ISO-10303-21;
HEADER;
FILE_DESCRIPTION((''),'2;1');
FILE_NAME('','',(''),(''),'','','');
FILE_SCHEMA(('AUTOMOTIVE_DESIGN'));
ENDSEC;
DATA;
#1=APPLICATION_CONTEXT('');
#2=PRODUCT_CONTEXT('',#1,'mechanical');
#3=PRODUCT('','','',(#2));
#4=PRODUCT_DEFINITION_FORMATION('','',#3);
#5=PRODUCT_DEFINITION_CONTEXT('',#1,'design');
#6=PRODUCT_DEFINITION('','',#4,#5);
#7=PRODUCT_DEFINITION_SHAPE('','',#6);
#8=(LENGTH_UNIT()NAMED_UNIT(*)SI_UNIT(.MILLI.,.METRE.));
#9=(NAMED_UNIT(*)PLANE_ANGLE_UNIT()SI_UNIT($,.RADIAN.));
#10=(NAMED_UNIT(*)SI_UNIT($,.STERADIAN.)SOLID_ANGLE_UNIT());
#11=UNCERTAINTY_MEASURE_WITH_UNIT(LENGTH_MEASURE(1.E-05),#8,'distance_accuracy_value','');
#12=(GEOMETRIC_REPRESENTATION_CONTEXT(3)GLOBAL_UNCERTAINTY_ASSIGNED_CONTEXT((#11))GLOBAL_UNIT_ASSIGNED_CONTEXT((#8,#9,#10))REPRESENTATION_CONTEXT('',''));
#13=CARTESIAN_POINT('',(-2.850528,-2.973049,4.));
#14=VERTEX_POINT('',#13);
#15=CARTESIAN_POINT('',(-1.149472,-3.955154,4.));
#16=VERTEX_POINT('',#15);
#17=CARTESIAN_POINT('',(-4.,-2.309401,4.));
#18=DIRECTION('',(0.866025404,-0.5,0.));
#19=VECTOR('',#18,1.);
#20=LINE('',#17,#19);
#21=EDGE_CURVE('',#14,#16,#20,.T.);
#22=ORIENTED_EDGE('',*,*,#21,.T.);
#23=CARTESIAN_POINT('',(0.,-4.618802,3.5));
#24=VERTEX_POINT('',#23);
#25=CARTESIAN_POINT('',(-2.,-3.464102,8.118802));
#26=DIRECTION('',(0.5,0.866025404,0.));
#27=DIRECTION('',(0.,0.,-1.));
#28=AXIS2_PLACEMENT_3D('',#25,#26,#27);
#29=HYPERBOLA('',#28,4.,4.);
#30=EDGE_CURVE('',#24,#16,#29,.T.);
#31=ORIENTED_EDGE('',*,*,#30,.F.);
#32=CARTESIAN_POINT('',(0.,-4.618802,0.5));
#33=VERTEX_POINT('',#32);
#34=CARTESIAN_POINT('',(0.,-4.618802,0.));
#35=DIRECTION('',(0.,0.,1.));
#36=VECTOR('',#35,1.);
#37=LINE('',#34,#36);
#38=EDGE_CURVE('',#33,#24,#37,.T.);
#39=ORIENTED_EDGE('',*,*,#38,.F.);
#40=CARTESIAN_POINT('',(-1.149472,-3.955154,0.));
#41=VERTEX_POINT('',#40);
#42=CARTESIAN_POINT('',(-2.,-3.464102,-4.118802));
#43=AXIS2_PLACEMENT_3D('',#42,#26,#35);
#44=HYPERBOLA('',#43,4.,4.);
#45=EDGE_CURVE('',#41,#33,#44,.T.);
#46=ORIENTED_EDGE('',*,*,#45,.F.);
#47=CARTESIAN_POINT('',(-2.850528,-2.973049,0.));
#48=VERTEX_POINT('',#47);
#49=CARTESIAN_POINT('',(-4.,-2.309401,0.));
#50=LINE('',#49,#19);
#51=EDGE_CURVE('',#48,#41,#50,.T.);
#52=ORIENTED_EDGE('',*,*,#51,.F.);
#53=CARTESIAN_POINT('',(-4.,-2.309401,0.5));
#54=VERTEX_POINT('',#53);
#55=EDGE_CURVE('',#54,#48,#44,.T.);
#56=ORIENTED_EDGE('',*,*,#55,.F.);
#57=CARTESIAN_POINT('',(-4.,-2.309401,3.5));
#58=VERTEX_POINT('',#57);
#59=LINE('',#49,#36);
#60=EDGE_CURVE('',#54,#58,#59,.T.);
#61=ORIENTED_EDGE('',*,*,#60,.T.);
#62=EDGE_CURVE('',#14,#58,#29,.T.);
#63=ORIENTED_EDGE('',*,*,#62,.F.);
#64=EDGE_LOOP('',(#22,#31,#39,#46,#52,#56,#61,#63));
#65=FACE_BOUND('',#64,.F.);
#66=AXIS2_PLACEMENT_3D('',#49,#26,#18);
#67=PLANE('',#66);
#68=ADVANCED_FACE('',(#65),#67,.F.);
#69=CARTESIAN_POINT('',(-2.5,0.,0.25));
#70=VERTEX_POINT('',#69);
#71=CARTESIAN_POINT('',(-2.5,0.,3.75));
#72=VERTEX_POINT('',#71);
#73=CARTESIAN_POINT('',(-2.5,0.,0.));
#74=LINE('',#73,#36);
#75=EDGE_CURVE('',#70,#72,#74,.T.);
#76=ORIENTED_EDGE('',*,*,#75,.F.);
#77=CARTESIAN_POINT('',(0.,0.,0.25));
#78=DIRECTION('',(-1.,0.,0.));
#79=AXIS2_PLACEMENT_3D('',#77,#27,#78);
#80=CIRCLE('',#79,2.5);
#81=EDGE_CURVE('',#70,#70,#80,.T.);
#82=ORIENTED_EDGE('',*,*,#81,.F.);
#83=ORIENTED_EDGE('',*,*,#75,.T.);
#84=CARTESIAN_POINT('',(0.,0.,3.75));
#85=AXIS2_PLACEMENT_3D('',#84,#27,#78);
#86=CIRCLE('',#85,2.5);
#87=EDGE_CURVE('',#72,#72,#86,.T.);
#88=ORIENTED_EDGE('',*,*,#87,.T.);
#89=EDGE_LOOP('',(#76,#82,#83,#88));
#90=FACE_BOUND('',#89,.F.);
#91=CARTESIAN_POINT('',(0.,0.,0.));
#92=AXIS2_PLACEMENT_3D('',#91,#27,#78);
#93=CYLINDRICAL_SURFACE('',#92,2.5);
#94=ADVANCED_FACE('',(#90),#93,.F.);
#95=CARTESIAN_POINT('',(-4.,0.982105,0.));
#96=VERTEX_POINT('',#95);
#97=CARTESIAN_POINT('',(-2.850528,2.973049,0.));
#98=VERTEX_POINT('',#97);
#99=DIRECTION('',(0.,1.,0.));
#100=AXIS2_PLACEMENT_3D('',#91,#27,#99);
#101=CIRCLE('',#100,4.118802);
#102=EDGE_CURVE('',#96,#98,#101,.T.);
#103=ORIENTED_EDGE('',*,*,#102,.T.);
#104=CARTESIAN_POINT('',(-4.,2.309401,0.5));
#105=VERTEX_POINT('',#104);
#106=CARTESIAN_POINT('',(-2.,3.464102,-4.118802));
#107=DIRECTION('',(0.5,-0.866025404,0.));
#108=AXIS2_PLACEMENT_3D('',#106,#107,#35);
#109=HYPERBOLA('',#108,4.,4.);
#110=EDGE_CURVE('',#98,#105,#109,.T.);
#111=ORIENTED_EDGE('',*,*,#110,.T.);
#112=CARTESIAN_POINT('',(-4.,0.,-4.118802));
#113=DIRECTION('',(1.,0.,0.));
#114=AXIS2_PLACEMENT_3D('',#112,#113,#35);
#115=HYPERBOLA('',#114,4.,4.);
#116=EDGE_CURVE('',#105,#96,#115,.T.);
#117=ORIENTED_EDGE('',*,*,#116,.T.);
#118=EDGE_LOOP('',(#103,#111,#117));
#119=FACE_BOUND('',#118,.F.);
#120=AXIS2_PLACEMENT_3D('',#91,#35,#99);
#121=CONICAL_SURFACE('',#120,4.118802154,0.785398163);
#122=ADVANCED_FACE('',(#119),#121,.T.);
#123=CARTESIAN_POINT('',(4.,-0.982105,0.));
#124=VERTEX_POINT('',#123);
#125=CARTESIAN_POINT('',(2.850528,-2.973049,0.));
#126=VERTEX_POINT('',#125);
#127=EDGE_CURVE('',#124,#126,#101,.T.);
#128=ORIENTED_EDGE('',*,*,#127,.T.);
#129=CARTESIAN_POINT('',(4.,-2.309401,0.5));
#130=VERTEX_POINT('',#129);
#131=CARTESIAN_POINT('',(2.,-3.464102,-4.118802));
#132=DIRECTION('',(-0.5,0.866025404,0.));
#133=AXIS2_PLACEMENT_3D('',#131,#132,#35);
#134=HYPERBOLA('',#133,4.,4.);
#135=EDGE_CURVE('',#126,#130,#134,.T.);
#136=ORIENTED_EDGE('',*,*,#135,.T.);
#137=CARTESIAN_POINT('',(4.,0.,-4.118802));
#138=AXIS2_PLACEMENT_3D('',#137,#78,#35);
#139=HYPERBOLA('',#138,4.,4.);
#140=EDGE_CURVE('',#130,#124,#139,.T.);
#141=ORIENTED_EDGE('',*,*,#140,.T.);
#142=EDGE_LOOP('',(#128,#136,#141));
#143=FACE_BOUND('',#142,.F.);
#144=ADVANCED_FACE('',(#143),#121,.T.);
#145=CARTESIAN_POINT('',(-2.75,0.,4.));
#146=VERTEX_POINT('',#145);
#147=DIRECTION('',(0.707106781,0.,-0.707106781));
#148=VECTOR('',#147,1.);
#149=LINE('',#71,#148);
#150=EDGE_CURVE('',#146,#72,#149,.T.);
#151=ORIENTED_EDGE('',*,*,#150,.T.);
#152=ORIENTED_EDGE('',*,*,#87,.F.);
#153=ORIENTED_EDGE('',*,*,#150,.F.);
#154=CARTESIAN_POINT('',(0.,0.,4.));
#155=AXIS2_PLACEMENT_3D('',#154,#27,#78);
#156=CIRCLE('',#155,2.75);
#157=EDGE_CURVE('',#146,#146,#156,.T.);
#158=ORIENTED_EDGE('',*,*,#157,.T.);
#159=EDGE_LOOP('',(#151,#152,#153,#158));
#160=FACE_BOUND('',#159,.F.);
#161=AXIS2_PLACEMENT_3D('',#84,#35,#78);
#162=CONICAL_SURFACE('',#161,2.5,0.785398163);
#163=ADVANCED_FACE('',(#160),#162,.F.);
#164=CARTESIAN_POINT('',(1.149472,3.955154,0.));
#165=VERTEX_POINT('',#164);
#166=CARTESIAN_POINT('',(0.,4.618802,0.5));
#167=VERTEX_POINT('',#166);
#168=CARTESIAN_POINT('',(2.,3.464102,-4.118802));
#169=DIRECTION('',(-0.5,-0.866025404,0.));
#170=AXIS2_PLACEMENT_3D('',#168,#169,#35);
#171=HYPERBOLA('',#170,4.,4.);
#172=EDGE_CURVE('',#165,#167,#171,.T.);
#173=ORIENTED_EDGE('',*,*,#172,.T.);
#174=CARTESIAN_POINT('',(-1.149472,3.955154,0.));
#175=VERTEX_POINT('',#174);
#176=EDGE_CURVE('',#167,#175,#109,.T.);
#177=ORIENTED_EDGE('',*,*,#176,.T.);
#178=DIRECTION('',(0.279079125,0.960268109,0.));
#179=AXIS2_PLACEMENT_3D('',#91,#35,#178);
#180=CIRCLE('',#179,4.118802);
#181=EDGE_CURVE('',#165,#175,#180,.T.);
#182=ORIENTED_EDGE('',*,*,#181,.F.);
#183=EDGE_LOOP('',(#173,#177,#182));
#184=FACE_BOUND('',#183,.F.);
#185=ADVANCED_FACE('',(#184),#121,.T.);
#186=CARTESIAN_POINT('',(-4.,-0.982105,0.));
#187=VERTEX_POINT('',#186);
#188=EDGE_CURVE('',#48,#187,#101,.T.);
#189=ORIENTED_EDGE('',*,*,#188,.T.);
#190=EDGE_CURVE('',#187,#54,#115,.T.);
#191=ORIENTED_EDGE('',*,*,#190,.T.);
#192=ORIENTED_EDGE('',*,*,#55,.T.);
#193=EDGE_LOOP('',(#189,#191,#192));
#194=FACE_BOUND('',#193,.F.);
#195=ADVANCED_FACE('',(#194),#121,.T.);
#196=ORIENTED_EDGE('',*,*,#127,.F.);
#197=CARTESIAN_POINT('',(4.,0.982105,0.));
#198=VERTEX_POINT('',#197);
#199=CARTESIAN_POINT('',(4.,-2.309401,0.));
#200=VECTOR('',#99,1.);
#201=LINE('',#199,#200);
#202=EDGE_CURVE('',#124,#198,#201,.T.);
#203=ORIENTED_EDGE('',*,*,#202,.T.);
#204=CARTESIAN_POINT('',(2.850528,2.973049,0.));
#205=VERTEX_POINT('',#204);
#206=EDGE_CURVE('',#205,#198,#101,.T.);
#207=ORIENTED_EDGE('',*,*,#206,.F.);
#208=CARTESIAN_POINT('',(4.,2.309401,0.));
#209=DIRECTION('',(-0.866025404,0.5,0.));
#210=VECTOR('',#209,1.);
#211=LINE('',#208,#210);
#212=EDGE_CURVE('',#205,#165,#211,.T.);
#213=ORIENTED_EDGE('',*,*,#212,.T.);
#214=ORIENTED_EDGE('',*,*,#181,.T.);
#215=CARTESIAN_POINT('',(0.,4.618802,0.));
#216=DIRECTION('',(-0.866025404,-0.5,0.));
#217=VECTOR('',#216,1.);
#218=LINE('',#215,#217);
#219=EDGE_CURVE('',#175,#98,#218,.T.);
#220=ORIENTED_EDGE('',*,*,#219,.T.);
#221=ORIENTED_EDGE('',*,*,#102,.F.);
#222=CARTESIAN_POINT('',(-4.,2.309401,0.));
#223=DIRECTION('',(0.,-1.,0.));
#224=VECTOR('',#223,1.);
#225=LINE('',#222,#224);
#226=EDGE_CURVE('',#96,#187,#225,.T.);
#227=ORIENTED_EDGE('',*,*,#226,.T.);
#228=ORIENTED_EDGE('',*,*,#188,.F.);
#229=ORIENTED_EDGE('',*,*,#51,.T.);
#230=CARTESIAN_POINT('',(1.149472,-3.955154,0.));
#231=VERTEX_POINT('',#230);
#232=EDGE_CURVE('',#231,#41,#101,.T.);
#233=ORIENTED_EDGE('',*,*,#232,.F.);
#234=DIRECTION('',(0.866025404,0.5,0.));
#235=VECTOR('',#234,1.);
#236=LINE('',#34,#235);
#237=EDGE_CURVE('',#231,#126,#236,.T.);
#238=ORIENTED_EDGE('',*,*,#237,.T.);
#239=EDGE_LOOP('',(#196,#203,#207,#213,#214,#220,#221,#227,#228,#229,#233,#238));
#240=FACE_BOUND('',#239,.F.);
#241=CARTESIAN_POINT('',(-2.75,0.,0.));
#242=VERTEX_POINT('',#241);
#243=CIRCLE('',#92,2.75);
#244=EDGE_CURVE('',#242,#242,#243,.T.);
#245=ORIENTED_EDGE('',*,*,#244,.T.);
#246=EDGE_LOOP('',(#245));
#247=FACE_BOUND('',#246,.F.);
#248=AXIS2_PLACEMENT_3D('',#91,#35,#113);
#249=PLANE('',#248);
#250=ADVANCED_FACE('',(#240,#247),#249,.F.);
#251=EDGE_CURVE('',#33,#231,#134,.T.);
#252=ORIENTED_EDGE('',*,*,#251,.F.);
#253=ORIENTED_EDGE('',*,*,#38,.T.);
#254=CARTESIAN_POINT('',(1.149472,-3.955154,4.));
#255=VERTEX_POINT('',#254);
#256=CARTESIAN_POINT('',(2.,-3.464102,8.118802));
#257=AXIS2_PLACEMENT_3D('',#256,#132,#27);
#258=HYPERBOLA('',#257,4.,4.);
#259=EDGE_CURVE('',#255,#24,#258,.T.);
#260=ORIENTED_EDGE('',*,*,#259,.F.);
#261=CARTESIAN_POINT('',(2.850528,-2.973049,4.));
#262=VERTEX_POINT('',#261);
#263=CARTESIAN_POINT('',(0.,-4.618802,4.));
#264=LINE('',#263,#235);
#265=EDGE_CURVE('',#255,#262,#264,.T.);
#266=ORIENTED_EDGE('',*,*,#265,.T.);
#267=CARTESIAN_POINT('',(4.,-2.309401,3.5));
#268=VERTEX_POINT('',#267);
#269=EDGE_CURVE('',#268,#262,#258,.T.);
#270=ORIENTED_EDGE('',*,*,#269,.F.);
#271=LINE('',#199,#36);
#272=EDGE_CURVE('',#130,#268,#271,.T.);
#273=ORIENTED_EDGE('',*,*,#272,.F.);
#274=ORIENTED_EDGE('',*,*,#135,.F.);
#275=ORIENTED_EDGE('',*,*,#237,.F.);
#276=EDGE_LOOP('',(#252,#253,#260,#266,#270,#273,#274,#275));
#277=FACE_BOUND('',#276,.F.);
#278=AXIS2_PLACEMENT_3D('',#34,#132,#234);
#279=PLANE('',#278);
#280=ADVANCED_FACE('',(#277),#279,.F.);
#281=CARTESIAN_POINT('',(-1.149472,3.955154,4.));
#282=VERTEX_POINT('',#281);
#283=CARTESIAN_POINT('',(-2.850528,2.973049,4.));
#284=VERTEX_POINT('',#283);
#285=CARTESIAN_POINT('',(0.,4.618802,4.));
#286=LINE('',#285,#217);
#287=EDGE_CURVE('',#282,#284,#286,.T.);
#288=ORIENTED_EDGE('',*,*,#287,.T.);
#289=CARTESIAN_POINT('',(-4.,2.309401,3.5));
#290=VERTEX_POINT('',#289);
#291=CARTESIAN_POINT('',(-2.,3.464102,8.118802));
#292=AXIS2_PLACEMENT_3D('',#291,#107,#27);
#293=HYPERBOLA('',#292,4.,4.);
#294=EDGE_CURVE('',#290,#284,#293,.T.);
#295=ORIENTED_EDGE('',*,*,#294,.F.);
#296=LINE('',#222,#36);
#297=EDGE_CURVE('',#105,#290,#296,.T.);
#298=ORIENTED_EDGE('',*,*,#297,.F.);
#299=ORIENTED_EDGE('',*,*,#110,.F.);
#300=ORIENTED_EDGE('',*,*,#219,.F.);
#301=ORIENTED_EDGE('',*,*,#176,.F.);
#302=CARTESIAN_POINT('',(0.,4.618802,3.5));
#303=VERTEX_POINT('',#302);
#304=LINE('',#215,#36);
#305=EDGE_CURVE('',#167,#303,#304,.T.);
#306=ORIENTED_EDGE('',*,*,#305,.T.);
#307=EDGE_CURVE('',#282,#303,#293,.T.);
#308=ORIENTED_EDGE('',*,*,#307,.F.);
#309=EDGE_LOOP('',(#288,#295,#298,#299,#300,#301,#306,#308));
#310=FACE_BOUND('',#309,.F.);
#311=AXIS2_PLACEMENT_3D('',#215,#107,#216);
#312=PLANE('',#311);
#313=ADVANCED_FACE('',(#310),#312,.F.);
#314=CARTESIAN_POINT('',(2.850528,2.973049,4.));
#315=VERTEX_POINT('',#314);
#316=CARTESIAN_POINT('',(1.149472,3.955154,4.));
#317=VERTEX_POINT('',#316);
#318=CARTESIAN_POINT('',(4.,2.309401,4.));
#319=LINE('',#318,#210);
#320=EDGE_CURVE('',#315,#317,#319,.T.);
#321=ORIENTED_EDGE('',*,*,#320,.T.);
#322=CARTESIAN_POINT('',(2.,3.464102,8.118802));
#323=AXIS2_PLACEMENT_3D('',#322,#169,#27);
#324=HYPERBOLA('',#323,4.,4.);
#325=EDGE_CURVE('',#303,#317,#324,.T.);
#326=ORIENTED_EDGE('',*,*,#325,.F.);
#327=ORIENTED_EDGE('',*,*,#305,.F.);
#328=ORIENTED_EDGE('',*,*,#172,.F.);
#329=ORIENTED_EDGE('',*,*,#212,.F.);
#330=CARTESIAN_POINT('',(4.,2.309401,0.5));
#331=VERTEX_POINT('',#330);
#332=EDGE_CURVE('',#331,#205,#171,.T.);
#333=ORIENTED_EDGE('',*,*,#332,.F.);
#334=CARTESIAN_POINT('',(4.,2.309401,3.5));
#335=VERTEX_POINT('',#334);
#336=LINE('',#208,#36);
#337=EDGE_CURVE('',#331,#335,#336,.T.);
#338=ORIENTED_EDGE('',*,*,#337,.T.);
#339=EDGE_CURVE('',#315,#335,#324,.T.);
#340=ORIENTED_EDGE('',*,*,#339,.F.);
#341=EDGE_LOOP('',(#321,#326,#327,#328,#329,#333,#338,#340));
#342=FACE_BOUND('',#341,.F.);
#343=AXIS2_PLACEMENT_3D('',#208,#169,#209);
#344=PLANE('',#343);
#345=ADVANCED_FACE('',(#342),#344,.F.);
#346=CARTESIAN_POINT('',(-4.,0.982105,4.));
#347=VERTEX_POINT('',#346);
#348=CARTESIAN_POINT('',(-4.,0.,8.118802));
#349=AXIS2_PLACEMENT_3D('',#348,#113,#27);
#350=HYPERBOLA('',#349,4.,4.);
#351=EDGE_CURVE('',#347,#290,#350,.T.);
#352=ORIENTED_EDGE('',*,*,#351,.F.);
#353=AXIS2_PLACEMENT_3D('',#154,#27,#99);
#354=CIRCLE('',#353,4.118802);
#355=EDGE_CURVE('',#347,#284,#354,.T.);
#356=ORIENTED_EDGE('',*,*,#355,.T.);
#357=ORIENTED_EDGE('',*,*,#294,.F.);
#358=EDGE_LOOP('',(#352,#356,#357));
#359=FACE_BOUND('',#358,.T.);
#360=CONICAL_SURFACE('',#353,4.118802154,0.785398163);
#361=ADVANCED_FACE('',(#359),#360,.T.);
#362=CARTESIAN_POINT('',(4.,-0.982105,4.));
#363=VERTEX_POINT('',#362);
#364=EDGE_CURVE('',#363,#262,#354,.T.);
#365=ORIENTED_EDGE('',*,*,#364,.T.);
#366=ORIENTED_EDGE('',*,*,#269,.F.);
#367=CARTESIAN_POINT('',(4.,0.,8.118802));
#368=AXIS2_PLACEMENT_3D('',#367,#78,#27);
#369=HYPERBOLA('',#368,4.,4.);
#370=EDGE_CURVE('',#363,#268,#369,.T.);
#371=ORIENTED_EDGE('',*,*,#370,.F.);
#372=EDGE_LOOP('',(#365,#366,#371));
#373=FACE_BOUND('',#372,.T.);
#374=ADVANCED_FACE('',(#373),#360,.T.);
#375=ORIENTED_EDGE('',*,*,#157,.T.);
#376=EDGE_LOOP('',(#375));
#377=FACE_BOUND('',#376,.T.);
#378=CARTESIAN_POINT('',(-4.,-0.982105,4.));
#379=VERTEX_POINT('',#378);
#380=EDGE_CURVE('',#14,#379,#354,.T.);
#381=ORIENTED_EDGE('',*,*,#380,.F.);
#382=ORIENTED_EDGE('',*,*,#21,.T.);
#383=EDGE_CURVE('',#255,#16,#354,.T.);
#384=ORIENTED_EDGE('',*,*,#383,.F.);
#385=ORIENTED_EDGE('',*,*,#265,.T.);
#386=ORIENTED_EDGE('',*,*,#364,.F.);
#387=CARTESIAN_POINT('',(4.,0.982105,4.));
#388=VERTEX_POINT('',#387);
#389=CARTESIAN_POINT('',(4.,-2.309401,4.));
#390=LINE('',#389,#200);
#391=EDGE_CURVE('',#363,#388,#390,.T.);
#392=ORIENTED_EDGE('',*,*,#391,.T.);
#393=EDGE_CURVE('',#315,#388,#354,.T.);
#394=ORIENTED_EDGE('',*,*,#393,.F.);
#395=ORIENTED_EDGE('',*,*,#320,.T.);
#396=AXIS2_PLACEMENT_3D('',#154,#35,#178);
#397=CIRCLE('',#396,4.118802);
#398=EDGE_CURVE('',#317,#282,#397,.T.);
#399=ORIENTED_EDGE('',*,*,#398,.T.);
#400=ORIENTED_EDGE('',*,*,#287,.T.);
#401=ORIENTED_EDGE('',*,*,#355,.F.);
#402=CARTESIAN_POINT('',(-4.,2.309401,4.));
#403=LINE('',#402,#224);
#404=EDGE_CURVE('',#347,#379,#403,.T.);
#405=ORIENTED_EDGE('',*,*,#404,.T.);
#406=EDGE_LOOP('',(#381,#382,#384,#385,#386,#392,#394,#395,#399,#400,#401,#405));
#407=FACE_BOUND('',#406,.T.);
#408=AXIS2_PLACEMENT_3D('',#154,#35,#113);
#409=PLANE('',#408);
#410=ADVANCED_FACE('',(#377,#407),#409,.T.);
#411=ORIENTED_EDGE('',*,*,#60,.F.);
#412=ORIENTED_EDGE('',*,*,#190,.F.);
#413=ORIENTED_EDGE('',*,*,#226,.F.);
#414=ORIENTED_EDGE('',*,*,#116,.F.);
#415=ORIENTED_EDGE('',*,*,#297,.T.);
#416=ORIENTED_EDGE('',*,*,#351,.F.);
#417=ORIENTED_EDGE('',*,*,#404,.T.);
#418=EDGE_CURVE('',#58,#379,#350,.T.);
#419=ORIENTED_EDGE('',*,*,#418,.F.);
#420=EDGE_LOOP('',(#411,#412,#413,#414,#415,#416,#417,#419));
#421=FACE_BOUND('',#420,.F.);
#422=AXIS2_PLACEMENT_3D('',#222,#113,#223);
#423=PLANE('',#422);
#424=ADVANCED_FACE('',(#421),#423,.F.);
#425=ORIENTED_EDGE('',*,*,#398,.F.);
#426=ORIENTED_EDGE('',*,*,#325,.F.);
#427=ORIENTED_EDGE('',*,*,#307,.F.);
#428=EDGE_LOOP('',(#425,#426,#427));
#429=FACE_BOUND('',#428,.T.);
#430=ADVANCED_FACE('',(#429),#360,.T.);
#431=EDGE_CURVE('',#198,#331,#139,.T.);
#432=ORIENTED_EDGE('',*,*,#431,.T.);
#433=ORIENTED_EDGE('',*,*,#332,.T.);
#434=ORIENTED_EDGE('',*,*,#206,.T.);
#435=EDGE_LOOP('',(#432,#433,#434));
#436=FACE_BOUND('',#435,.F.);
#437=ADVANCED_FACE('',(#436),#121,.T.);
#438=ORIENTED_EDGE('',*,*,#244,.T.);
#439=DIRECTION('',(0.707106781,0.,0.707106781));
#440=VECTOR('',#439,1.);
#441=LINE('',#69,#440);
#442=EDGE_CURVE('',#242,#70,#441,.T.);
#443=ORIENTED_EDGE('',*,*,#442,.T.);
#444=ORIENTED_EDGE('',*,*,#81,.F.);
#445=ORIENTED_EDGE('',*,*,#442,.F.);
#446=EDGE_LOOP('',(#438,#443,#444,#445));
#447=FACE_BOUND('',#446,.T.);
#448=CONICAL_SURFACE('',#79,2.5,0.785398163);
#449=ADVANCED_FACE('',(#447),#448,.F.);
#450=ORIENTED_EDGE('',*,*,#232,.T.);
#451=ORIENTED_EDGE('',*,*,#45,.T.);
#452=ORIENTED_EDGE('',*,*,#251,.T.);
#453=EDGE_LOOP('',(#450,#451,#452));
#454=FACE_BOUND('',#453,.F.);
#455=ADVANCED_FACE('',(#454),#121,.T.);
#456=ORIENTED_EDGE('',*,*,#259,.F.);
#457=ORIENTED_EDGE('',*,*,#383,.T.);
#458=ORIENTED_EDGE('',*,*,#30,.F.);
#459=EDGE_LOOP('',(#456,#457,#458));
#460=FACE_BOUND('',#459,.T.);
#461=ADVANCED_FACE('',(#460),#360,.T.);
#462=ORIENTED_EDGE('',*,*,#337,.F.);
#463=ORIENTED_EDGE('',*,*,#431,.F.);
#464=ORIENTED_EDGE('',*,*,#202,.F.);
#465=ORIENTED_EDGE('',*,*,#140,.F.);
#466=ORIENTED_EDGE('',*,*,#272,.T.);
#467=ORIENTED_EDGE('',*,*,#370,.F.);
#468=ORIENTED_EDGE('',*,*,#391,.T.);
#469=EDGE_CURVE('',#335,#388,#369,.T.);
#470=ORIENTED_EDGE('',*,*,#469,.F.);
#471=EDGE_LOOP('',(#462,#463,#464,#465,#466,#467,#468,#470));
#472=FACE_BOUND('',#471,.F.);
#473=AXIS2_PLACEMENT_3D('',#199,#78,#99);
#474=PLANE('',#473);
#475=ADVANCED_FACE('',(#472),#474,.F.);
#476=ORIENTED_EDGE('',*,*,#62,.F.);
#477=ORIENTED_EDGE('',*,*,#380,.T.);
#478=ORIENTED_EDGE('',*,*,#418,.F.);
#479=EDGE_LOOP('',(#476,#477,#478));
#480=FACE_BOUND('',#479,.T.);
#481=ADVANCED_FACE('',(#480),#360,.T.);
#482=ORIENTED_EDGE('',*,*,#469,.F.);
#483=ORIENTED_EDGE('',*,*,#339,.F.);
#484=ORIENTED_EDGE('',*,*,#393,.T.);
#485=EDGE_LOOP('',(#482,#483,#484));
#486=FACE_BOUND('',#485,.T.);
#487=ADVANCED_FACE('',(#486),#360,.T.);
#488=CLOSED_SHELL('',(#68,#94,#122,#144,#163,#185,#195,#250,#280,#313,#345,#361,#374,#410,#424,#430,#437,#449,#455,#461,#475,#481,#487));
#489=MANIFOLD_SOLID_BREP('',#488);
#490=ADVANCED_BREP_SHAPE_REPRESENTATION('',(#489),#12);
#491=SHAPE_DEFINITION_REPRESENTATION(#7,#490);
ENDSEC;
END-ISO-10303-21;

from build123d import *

# Parameters (mm, degrees)
EXTRUDE_1_DEPTH     = 4
SKETCH_2_R          = 2.5
CUT_EXTRUDE_1_DEPTH = 8.302967433
CHAMFER_1_SIZE      = 0.25


with BuildPart() as part:
    # Эскиз1 → Вытянуть1 (new body)
    with BuildSketch(Plane.XY):
        Polygon((0, 4.618802154), (-4, 2.309401077), (-4, -2.309401077), (0, -4.618802154), (4, -2.309401077), (4, 2.309401077), align=None)
    extrude(amount=EXTRUDE_1_DEPTH)

    # Эскиз15 → Вырез-Повернуть1 (revolve, cut)
    with BuildSketch(Plane(origin=(0, 0, 0), x_dir=(0, 0, -1), z_dir=(1, 0, 0))):
        Polygon((-4, 4.618802154), (-4, 4.118802154), (-3.5, 4.618802154), align=None)
        Polygon((-0.5, 4.618802154), (0, 4.618802154), (0, 4.118802154), align=None)
    revolve(axis=Axis((0, 0, 2.633835381), (0, 0, -1)), mode=Mode.SUBTRACT)

    # Эскиз2 → Вырез-Вытянуть1 (cut, through all)
    with BuildSketch(Plane(origin=(0, 0, 0), x_dir=(-1, 0, 0), z_dir=(0, 0, -1))):
        Circle(SKETCH_2_R)
    extrude(amount=-CUT_EXTRUDE_1_DEPTH, mode=Mode.SUBTRACT)

    # Фаска1
    chamfer_1_edges = [part.edges().sort_by_distance(p)[0] for p in [
        (2.5, 0, 4),
        (2.5, 0, 0),
    ]]
    chamfer(chamfer_1_edges, length=CHAMFER_1_SIZE)


solid = part.part
